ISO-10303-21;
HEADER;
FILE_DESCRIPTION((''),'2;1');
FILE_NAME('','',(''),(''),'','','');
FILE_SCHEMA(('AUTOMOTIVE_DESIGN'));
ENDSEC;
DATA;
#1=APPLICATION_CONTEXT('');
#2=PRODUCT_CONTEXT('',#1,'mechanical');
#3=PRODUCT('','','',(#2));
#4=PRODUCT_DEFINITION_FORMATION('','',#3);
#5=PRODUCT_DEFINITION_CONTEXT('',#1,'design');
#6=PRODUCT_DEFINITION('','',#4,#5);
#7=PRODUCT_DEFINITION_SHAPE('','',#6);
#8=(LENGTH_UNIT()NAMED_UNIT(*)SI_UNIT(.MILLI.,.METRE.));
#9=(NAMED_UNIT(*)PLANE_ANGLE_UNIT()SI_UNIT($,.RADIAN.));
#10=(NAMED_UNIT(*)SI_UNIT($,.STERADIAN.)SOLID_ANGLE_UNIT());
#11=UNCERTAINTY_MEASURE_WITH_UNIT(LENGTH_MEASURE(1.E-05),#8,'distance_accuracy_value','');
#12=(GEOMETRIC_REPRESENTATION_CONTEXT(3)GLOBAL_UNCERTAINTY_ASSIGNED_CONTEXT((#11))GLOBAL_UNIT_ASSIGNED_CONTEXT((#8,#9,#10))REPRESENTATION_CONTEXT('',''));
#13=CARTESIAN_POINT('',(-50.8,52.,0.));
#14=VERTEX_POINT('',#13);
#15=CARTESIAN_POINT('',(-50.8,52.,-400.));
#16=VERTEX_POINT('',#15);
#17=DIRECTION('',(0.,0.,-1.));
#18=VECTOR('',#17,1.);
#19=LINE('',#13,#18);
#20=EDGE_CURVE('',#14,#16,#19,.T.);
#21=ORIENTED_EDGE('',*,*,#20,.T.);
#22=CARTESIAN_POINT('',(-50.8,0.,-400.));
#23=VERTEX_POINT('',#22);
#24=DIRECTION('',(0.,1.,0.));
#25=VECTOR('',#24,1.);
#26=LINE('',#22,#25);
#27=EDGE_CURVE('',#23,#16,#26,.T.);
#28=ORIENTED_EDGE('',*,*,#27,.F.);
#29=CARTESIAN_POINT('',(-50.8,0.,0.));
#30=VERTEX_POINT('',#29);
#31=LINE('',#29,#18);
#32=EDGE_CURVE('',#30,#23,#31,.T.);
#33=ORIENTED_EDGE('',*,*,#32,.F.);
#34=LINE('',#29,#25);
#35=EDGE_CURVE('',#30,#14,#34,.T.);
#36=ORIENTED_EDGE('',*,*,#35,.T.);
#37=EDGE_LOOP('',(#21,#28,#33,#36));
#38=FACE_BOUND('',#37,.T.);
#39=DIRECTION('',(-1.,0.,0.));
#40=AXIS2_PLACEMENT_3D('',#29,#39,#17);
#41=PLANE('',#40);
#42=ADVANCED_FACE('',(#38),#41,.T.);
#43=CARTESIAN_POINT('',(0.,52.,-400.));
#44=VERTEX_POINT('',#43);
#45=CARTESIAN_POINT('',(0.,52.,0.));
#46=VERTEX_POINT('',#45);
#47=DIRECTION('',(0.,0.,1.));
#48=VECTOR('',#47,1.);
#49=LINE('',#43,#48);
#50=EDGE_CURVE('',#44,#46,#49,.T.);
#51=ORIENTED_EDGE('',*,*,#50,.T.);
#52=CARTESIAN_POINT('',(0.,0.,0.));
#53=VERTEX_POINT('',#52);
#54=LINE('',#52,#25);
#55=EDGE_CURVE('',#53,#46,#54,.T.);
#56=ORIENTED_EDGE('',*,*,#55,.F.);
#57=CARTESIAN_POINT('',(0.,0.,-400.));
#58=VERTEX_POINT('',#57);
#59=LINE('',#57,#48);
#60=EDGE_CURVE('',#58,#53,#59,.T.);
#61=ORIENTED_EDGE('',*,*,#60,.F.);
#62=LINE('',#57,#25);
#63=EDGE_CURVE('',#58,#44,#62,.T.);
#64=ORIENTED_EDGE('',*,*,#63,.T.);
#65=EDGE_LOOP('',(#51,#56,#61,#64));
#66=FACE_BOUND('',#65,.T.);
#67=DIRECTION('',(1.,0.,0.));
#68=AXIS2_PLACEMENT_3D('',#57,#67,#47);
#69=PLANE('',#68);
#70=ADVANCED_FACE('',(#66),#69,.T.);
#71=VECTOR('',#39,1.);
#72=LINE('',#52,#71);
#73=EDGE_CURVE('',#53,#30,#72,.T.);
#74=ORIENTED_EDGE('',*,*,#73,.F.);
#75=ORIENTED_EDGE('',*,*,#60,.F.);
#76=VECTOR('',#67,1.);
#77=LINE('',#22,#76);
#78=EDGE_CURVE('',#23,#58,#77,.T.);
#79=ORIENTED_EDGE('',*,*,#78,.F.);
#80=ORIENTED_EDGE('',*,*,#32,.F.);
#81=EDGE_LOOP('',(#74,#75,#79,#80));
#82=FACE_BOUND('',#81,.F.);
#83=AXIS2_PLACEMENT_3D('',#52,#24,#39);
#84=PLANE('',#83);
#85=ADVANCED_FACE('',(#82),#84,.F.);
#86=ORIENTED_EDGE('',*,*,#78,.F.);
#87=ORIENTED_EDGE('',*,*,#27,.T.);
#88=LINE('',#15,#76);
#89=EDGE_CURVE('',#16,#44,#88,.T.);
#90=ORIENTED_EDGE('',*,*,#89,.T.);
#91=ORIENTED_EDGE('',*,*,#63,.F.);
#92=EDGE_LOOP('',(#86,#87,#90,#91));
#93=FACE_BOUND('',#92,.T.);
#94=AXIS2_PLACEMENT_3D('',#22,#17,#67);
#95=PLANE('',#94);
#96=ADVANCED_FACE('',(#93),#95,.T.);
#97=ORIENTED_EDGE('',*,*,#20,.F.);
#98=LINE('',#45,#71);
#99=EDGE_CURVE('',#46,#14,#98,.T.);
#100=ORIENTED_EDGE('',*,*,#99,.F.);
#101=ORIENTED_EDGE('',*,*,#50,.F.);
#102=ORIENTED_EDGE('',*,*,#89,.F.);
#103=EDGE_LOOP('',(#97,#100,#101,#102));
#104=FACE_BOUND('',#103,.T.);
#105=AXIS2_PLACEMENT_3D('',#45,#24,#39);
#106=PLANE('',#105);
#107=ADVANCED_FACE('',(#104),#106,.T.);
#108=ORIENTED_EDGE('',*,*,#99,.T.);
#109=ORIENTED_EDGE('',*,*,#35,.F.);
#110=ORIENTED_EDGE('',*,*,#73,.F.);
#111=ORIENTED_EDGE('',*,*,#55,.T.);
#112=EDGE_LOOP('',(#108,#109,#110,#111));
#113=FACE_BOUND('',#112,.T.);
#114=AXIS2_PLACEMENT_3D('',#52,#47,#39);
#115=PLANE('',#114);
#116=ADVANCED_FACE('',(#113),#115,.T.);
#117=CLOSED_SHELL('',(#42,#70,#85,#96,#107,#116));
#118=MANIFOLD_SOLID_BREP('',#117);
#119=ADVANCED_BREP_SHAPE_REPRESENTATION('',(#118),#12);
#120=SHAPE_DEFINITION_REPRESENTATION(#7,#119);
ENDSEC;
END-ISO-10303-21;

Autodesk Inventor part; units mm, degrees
ref_plane "YZ Plane" through (0, 0, 0) normal (1, 0, 0) x (0, 1, 0)
ref_plane "XZ Plane" through (0, 0, 0) normal (0, 1, 0) x (-1, 0, 0)
ref_plane "XY Plane" through (0, 0, 0) normal (0, 0, 1) x (1, 0, 0)
sketch "Sketch1" plane through (0, 0, 0) normal (0, 1, 0) x (-1, 0, 0)
  line L0 (0, 0) -> (50.8, 0)
  line L1 (50.8, 0) -> (50.8, -400)
  line L2 (50.8, -400) -> (0, -400)
  line L3 (0, -400) -> (0, 0)
  dimension "d0" = 50.8
  dimension "d1" = 400
extrude "Extrusion1" add sketch "Sketch1" along normal blind 52
properties part number "PiezaPuerta-1"
